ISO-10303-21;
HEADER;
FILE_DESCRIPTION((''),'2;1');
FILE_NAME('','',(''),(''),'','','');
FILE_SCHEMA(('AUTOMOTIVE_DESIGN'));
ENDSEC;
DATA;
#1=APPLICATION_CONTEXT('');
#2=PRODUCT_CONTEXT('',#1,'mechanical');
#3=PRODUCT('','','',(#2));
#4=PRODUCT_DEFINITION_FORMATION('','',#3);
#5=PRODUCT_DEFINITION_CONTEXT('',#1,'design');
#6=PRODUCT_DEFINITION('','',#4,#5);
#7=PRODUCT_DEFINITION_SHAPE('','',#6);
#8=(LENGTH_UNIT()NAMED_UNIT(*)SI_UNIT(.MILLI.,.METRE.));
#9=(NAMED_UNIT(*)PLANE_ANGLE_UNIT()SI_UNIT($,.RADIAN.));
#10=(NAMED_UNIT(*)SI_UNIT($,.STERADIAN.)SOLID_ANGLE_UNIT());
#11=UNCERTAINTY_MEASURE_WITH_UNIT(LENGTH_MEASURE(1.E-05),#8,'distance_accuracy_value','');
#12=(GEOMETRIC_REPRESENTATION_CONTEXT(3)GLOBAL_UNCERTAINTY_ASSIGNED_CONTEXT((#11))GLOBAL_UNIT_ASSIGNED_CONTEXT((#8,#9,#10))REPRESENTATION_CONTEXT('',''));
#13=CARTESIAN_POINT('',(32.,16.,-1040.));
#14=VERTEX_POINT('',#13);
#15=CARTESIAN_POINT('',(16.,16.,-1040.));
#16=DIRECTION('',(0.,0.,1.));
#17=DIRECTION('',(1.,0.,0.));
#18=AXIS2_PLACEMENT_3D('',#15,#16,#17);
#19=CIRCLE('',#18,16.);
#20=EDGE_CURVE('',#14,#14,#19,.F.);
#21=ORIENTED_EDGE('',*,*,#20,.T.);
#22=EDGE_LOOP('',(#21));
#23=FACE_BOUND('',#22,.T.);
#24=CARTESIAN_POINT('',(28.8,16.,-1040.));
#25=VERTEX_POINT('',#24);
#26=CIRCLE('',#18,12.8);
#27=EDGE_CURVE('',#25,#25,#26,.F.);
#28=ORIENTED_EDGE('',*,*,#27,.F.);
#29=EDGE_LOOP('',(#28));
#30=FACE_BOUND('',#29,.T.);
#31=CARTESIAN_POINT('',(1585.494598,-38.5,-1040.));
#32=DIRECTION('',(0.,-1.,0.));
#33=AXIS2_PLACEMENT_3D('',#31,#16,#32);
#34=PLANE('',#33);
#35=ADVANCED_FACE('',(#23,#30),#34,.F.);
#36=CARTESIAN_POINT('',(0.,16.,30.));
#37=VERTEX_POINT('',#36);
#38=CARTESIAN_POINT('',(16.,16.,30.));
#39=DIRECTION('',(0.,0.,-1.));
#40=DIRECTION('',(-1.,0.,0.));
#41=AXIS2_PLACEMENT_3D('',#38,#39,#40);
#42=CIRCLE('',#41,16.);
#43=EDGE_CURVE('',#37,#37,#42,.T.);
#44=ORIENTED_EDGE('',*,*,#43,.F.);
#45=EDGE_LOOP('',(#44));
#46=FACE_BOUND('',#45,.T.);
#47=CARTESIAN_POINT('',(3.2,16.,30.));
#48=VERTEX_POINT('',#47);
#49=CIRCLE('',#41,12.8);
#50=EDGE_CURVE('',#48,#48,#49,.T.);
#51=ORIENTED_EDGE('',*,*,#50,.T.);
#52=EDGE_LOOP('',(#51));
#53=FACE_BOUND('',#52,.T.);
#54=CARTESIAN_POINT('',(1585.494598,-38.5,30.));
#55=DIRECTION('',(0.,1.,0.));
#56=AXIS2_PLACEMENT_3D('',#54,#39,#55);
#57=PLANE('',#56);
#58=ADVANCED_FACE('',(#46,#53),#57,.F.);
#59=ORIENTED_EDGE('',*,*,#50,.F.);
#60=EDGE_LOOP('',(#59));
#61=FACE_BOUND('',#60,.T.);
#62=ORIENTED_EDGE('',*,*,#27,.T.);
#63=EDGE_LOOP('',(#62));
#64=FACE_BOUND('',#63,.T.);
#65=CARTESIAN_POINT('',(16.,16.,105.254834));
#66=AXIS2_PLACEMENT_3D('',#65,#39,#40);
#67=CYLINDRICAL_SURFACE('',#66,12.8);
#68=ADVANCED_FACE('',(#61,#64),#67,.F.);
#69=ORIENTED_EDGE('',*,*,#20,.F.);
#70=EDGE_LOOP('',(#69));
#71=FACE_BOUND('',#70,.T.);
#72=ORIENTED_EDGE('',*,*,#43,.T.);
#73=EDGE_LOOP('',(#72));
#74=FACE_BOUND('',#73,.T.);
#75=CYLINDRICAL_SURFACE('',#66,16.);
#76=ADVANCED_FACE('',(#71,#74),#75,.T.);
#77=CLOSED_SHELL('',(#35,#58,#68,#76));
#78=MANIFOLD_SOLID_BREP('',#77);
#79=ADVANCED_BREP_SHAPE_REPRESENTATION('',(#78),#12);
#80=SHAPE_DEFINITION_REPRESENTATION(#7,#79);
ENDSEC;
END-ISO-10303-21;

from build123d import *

# Parameters (mm, degrees)
EXTRUDE_1_DEPTH      = 30
EXTRUDE_1_DEPTH_BACK = 1040
SKETCH_1_R           = 16
SKETCH_1_R_2         = 12.8


with BuildPart() as part:
    # Эскиз1 → Бобышка-Вытянуть1 (new, two sides: drawn at the far end of the back side and taken through both)
    with BuildSketch(Plane.XY.offset(-EXTRUDE_1_DEPTH_BACK)):
        with Locations(Location((16, 16, 0), (0, 0, 180))):
            Circle(SKETCH_1_R)
        with Locations(Location((16, 16, 0), (0, 0, 180))):
            Circle(SKETCH_1_R_2, mode=Mode.SUBTRACT)
    extrude(amount=EXTRUDE_1_DEPTH + EXTRUDE_1_DEPTH_BACK)


solid = part.part
